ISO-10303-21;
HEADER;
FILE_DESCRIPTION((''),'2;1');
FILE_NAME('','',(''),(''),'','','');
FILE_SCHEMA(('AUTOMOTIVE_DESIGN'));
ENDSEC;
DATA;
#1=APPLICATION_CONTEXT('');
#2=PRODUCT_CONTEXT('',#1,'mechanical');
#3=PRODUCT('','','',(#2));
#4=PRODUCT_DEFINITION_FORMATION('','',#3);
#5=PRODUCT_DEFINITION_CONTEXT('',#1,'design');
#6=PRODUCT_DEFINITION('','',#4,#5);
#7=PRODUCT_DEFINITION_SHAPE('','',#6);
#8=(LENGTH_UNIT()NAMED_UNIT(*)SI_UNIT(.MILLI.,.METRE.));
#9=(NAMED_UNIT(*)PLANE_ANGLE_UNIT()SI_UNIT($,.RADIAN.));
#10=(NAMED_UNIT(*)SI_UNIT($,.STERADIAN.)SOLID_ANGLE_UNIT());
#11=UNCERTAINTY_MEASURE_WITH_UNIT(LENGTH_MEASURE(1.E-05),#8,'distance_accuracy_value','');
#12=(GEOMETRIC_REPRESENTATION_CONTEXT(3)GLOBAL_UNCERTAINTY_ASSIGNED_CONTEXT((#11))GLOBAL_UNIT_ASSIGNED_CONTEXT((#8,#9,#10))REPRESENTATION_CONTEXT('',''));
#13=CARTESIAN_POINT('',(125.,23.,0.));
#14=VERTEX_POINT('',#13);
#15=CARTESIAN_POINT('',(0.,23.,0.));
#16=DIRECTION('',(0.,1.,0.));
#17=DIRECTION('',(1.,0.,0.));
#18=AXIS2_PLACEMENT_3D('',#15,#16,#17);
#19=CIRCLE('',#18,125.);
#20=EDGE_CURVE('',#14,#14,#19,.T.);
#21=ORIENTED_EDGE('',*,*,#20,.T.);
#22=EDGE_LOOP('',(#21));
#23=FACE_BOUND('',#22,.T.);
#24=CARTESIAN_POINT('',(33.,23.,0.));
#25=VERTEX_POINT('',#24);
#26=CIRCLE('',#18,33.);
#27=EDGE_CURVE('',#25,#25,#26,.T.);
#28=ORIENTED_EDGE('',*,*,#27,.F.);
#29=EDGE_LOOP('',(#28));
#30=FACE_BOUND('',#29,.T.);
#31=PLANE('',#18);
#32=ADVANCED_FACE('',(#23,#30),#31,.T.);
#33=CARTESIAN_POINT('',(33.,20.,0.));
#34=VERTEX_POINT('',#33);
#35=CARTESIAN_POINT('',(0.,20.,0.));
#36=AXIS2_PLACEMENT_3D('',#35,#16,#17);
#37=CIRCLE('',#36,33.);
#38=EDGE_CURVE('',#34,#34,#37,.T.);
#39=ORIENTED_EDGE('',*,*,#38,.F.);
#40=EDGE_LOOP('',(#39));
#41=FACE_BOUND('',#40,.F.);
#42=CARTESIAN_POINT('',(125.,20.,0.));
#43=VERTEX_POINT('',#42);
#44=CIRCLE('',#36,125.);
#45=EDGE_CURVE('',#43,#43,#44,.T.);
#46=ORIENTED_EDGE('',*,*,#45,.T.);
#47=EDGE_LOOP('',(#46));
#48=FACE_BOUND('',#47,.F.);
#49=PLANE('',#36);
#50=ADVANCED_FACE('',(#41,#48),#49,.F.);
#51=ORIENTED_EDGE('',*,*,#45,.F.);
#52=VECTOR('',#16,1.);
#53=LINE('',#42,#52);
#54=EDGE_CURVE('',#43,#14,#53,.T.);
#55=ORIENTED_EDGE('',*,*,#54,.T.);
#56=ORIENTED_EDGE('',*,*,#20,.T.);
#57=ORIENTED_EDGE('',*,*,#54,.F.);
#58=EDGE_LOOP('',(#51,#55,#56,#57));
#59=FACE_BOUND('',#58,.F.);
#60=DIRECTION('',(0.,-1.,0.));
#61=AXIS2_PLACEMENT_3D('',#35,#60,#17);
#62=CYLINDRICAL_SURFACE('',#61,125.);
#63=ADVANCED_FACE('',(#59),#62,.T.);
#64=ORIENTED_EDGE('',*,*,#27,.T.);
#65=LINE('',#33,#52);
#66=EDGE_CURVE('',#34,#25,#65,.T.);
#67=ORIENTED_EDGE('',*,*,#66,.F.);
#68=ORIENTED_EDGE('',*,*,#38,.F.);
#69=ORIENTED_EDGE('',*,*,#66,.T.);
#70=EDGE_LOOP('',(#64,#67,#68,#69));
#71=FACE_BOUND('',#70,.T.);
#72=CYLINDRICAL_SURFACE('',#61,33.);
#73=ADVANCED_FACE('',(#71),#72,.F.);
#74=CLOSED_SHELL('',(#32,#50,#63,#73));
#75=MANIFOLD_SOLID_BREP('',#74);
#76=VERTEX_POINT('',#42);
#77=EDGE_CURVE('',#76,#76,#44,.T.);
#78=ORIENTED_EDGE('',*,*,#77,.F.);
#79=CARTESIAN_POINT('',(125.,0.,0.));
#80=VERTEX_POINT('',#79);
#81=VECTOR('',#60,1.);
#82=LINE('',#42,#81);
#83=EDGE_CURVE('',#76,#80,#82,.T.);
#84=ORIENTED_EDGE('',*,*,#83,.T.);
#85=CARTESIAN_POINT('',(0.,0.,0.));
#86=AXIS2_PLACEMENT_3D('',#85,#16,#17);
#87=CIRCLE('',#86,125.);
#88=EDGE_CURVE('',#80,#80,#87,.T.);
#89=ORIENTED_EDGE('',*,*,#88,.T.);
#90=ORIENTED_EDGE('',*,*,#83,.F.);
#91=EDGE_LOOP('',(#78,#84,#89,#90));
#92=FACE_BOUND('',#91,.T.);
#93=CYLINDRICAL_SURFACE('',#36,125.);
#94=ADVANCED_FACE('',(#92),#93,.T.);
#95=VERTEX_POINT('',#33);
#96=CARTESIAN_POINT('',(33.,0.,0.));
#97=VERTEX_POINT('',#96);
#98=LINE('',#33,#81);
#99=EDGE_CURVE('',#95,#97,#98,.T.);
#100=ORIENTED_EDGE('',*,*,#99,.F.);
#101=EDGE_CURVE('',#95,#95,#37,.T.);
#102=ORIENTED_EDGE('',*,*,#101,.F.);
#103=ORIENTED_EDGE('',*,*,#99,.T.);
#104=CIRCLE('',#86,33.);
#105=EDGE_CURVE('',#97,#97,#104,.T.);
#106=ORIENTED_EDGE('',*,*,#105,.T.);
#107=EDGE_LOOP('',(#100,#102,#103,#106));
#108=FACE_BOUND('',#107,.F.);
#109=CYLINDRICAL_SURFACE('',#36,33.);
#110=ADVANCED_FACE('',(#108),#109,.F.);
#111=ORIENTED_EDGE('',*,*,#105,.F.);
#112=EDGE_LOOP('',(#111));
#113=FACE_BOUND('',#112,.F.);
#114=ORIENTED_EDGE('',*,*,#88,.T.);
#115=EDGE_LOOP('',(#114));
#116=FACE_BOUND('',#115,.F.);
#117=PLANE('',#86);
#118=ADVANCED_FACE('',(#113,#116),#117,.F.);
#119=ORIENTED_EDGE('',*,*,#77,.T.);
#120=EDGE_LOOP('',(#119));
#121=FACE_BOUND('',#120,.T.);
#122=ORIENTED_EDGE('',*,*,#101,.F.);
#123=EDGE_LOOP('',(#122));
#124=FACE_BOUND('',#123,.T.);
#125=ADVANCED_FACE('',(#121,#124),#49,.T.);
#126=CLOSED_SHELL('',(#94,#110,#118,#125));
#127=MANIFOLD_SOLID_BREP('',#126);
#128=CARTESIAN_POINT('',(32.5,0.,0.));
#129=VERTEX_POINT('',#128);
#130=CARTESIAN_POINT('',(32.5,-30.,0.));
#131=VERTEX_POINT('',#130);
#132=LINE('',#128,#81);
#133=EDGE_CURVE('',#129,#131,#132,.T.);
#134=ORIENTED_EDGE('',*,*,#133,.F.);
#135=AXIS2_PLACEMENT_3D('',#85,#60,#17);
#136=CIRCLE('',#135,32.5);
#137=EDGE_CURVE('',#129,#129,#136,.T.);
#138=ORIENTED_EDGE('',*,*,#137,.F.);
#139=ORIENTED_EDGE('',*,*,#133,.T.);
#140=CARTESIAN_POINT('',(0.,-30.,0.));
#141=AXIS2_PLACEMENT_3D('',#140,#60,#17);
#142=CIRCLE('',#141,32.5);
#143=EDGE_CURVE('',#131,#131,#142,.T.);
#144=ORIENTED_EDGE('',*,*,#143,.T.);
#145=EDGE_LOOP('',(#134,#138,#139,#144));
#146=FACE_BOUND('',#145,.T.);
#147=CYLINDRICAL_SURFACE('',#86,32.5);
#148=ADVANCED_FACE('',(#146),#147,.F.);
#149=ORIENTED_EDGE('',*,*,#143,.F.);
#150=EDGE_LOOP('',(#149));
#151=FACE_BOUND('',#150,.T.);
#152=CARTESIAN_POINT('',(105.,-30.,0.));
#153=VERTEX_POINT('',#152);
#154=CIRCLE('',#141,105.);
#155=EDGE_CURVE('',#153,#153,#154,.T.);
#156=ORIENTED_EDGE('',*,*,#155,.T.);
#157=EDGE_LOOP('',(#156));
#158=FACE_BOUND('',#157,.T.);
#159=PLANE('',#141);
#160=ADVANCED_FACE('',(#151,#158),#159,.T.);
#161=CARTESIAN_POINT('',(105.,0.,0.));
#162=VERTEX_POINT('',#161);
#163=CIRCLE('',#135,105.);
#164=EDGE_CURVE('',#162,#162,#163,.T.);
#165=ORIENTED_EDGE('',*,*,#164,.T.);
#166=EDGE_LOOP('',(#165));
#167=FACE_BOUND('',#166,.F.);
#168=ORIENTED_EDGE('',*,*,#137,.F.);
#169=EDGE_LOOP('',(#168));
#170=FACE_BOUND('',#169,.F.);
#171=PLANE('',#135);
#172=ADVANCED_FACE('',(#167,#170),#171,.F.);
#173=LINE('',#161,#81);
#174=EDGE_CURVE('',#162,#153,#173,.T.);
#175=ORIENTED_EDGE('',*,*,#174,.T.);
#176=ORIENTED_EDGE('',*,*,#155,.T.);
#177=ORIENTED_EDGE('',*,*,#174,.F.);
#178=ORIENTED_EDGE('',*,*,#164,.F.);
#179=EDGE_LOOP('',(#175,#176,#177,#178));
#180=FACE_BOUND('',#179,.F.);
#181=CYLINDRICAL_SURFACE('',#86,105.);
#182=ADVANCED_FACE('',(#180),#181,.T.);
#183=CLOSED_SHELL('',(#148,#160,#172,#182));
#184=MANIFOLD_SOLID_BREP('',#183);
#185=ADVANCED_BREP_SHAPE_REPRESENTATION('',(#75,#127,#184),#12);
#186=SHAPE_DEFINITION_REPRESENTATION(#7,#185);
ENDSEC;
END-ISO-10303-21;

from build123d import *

# Parameters (mm, degrees)
F0_R     = 105
F0_R_2   = 32.5
F1_DEPTH = 30
F3_R     = 125
F3_R_2   = 33
F4_DEPTH = 20
F5_DEPTH = 3


with BuildPart() as f1:
    # F0 (on Front) → F1 (new body)
    with BuildSketch(Plane.XZ):
        Circle(F0_R)
        Circle(F0_R_2, mode=Mode.SUBTRACT)
    extrude(amount=F1_DEPTH)


with BuildPart() as f4:
    # F3 (on offset) → F4 (new body)
    with BuildSketch(Plane(origin=(0, 20, 0), x_dir=(1, 0, 0), z_dir=(0, 1, 0))):
        Circle(F3_R)
        Circle(F3_R_2, mode=Mode.SUBTRACT)
    extrude(amount=-F4_DEPTH)


with BuildPart() as f5:
    # F3 (on offset) → F5 (new body)
    with BuildSketch(Plane(origin=(0, 20, 0), x_dir=(1, 0, 0), z_dir=(0, 1, 0))):
        Circle(F3_R)
        Circle(F3_R_2, mode=Mode.SUBTRACT)
    extrude(amount=F5_DEPTH)


solid = Compound([f1.part, f4.part, f5.part])
